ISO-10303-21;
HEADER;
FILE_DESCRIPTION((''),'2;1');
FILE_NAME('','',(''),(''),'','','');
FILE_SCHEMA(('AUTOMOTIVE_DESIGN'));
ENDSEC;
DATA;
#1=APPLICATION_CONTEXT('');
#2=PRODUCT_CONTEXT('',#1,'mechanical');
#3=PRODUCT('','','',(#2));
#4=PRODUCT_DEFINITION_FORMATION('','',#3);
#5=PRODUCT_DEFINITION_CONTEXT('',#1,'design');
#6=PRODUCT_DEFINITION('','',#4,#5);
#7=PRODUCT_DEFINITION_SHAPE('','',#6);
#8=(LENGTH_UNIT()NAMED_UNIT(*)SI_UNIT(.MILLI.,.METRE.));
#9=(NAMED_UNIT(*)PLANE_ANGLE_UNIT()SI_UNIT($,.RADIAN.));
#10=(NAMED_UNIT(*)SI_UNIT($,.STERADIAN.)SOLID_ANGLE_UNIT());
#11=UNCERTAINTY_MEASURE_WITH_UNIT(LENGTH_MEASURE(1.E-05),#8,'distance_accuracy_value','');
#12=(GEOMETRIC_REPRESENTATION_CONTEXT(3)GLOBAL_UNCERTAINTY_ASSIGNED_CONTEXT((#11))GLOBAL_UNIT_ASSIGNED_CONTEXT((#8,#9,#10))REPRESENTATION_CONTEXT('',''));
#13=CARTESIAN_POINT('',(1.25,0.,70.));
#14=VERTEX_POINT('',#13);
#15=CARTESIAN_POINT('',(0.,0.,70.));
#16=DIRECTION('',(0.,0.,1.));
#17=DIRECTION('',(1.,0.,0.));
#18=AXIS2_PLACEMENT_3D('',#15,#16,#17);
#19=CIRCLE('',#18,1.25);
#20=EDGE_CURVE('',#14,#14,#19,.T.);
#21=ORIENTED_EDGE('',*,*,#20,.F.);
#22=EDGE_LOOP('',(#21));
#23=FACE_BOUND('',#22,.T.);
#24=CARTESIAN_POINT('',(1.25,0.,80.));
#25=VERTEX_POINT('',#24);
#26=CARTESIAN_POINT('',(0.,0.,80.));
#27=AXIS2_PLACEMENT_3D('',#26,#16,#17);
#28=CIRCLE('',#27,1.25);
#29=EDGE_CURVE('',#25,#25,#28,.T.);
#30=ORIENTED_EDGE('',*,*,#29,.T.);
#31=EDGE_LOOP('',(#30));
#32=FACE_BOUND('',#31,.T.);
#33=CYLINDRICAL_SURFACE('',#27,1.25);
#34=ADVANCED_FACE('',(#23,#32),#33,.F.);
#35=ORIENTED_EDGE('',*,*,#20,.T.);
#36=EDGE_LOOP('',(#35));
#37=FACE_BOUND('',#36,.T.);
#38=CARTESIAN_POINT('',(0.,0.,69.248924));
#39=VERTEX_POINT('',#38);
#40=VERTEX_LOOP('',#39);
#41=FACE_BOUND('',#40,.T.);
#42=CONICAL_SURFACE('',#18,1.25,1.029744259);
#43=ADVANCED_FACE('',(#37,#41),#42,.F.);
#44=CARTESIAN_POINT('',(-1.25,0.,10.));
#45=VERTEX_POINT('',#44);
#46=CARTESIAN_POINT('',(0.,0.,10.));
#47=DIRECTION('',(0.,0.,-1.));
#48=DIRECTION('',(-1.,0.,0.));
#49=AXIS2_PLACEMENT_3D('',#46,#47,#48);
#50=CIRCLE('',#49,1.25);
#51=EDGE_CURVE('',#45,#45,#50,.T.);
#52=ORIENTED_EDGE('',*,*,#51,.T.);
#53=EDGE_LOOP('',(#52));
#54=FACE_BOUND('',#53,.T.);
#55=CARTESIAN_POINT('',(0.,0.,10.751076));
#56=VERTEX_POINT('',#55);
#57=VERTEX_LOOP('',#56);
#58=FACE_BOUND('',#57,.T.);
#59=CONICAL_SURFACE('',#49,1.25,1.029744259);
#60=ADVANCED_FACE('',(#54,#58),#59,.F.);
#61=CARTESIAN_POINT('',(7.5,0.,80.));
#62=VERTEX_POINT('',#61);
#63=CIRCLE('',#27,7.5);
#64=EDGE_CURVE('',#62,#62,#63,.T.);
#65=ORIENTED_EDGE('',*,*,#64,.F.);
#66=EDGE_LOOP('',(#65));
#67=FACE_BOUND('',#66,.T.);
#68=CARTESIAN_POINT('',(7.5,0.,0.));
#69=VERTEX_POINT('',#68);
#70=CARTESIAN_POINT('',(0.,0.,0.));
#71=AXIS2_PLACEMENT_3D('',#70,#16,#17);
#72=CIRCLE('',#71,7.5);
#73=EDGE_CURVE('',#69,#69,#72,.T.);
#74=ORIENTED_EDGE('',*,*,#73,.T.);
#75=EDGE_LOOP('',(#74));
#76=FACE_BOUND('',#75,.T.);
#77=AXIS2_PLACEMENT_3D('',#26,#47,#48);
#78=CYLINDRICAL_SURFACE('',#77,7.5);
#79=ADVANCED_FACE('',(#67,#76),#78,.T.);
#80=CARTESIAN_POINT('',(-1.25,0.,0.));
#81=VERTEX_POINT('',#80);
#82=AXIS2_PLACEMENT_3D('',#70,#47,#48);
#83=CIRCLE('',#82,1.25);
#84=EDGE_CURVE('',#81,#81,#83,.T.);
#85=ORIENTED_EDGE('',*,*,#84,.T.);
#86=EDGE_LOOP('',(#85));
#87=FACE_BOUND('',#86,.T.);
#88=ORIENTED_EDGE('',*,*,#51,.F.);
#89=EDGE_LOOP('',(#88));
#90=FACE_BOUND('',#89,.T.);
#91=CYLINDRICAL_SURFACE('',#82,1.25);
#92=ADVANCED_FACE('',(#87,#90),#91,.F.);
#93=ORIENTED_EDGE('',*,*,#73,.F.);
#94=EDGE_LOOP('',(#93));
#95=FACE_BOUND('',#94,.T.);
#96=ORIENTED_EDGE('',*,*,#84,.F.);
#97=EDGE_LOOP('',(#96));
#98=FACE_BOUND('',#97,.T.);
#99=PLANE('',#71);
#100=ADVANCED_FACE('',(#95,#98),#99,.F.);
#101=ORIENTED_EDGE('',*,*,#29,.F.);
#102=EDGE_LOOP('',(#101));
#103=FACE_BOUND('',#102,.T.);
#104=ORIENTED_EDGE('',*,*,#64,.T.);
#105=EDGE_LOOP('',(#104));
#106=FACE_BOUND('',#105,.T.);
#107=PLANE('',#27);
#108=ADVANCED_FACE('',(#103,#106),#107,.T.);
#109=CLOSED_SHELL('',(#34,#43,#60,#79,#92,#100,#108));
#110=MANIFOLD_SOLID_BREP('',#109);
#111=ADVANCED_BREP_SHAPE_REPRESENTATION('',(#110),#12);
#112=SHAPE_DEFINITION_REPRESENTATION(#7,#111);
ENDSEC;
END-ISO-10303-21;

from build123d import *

# Parameters (mm, degrees)
SKETCH_1_R      = 7.5
EXTRUDE_1_DEPTH = 80
M3X0_5_1_D      = 2.5
M3X0_5_1_DEPTH  = 10
M3X0_5_1_TIP    = 0.751075774
M3X0_5_2_D      = 2.5
M3X0_5_2_DEPTH  = 10
M3X0_5_2_TIP    = 0.751075774


with BuildPart() as part:
    # ｽｹｯﾁ1 → ﾎﾞｽ - 押し出し1 (new body)
    with BuildSketch(Plane.XY):
        Circle(SKETCH_1_R)
    extrude(amount=EXTRUDE_1_DEPTH)

    # M3x0.5 ねじ穴1
    with Locations(Plane.XY.offset(80)):
        with Locations((0, 0)):
            Hole(M3X0_5_1_D / 2, depth=M3X0_5_1_DEPTH)
            with Locations((0, 0, -(M3X0_5_1_DEPTH + M3X0_5_1_TIP / 2))):  # 118° drill point
                Cone(0, M3X0_5_1_D / 2, M3X0_5_1_TIP, mode=Mode.SUBTRACT)

    # M3x0.5 ねじ穴2
    with Locations(Plane(origin=(0, 0, 0), x_dir=(-1, 0, 0), z_dir=(0, 0, -1))):
        with Locations((0, 0)):
            Hole(M3X0_5_2_D / 2, depth=M3X0_5_2_DEPTH)
            with Locations((0, 0, -(M3X0_5_2_DEPTH + M3X0_5_2_TIP / 2))):  # 118° drill point
                Cone(0, M3X0_5_2_D / 2, M3X0_5_2_TIP, mode=Mode.SUBTRACT)


solid = part.part
